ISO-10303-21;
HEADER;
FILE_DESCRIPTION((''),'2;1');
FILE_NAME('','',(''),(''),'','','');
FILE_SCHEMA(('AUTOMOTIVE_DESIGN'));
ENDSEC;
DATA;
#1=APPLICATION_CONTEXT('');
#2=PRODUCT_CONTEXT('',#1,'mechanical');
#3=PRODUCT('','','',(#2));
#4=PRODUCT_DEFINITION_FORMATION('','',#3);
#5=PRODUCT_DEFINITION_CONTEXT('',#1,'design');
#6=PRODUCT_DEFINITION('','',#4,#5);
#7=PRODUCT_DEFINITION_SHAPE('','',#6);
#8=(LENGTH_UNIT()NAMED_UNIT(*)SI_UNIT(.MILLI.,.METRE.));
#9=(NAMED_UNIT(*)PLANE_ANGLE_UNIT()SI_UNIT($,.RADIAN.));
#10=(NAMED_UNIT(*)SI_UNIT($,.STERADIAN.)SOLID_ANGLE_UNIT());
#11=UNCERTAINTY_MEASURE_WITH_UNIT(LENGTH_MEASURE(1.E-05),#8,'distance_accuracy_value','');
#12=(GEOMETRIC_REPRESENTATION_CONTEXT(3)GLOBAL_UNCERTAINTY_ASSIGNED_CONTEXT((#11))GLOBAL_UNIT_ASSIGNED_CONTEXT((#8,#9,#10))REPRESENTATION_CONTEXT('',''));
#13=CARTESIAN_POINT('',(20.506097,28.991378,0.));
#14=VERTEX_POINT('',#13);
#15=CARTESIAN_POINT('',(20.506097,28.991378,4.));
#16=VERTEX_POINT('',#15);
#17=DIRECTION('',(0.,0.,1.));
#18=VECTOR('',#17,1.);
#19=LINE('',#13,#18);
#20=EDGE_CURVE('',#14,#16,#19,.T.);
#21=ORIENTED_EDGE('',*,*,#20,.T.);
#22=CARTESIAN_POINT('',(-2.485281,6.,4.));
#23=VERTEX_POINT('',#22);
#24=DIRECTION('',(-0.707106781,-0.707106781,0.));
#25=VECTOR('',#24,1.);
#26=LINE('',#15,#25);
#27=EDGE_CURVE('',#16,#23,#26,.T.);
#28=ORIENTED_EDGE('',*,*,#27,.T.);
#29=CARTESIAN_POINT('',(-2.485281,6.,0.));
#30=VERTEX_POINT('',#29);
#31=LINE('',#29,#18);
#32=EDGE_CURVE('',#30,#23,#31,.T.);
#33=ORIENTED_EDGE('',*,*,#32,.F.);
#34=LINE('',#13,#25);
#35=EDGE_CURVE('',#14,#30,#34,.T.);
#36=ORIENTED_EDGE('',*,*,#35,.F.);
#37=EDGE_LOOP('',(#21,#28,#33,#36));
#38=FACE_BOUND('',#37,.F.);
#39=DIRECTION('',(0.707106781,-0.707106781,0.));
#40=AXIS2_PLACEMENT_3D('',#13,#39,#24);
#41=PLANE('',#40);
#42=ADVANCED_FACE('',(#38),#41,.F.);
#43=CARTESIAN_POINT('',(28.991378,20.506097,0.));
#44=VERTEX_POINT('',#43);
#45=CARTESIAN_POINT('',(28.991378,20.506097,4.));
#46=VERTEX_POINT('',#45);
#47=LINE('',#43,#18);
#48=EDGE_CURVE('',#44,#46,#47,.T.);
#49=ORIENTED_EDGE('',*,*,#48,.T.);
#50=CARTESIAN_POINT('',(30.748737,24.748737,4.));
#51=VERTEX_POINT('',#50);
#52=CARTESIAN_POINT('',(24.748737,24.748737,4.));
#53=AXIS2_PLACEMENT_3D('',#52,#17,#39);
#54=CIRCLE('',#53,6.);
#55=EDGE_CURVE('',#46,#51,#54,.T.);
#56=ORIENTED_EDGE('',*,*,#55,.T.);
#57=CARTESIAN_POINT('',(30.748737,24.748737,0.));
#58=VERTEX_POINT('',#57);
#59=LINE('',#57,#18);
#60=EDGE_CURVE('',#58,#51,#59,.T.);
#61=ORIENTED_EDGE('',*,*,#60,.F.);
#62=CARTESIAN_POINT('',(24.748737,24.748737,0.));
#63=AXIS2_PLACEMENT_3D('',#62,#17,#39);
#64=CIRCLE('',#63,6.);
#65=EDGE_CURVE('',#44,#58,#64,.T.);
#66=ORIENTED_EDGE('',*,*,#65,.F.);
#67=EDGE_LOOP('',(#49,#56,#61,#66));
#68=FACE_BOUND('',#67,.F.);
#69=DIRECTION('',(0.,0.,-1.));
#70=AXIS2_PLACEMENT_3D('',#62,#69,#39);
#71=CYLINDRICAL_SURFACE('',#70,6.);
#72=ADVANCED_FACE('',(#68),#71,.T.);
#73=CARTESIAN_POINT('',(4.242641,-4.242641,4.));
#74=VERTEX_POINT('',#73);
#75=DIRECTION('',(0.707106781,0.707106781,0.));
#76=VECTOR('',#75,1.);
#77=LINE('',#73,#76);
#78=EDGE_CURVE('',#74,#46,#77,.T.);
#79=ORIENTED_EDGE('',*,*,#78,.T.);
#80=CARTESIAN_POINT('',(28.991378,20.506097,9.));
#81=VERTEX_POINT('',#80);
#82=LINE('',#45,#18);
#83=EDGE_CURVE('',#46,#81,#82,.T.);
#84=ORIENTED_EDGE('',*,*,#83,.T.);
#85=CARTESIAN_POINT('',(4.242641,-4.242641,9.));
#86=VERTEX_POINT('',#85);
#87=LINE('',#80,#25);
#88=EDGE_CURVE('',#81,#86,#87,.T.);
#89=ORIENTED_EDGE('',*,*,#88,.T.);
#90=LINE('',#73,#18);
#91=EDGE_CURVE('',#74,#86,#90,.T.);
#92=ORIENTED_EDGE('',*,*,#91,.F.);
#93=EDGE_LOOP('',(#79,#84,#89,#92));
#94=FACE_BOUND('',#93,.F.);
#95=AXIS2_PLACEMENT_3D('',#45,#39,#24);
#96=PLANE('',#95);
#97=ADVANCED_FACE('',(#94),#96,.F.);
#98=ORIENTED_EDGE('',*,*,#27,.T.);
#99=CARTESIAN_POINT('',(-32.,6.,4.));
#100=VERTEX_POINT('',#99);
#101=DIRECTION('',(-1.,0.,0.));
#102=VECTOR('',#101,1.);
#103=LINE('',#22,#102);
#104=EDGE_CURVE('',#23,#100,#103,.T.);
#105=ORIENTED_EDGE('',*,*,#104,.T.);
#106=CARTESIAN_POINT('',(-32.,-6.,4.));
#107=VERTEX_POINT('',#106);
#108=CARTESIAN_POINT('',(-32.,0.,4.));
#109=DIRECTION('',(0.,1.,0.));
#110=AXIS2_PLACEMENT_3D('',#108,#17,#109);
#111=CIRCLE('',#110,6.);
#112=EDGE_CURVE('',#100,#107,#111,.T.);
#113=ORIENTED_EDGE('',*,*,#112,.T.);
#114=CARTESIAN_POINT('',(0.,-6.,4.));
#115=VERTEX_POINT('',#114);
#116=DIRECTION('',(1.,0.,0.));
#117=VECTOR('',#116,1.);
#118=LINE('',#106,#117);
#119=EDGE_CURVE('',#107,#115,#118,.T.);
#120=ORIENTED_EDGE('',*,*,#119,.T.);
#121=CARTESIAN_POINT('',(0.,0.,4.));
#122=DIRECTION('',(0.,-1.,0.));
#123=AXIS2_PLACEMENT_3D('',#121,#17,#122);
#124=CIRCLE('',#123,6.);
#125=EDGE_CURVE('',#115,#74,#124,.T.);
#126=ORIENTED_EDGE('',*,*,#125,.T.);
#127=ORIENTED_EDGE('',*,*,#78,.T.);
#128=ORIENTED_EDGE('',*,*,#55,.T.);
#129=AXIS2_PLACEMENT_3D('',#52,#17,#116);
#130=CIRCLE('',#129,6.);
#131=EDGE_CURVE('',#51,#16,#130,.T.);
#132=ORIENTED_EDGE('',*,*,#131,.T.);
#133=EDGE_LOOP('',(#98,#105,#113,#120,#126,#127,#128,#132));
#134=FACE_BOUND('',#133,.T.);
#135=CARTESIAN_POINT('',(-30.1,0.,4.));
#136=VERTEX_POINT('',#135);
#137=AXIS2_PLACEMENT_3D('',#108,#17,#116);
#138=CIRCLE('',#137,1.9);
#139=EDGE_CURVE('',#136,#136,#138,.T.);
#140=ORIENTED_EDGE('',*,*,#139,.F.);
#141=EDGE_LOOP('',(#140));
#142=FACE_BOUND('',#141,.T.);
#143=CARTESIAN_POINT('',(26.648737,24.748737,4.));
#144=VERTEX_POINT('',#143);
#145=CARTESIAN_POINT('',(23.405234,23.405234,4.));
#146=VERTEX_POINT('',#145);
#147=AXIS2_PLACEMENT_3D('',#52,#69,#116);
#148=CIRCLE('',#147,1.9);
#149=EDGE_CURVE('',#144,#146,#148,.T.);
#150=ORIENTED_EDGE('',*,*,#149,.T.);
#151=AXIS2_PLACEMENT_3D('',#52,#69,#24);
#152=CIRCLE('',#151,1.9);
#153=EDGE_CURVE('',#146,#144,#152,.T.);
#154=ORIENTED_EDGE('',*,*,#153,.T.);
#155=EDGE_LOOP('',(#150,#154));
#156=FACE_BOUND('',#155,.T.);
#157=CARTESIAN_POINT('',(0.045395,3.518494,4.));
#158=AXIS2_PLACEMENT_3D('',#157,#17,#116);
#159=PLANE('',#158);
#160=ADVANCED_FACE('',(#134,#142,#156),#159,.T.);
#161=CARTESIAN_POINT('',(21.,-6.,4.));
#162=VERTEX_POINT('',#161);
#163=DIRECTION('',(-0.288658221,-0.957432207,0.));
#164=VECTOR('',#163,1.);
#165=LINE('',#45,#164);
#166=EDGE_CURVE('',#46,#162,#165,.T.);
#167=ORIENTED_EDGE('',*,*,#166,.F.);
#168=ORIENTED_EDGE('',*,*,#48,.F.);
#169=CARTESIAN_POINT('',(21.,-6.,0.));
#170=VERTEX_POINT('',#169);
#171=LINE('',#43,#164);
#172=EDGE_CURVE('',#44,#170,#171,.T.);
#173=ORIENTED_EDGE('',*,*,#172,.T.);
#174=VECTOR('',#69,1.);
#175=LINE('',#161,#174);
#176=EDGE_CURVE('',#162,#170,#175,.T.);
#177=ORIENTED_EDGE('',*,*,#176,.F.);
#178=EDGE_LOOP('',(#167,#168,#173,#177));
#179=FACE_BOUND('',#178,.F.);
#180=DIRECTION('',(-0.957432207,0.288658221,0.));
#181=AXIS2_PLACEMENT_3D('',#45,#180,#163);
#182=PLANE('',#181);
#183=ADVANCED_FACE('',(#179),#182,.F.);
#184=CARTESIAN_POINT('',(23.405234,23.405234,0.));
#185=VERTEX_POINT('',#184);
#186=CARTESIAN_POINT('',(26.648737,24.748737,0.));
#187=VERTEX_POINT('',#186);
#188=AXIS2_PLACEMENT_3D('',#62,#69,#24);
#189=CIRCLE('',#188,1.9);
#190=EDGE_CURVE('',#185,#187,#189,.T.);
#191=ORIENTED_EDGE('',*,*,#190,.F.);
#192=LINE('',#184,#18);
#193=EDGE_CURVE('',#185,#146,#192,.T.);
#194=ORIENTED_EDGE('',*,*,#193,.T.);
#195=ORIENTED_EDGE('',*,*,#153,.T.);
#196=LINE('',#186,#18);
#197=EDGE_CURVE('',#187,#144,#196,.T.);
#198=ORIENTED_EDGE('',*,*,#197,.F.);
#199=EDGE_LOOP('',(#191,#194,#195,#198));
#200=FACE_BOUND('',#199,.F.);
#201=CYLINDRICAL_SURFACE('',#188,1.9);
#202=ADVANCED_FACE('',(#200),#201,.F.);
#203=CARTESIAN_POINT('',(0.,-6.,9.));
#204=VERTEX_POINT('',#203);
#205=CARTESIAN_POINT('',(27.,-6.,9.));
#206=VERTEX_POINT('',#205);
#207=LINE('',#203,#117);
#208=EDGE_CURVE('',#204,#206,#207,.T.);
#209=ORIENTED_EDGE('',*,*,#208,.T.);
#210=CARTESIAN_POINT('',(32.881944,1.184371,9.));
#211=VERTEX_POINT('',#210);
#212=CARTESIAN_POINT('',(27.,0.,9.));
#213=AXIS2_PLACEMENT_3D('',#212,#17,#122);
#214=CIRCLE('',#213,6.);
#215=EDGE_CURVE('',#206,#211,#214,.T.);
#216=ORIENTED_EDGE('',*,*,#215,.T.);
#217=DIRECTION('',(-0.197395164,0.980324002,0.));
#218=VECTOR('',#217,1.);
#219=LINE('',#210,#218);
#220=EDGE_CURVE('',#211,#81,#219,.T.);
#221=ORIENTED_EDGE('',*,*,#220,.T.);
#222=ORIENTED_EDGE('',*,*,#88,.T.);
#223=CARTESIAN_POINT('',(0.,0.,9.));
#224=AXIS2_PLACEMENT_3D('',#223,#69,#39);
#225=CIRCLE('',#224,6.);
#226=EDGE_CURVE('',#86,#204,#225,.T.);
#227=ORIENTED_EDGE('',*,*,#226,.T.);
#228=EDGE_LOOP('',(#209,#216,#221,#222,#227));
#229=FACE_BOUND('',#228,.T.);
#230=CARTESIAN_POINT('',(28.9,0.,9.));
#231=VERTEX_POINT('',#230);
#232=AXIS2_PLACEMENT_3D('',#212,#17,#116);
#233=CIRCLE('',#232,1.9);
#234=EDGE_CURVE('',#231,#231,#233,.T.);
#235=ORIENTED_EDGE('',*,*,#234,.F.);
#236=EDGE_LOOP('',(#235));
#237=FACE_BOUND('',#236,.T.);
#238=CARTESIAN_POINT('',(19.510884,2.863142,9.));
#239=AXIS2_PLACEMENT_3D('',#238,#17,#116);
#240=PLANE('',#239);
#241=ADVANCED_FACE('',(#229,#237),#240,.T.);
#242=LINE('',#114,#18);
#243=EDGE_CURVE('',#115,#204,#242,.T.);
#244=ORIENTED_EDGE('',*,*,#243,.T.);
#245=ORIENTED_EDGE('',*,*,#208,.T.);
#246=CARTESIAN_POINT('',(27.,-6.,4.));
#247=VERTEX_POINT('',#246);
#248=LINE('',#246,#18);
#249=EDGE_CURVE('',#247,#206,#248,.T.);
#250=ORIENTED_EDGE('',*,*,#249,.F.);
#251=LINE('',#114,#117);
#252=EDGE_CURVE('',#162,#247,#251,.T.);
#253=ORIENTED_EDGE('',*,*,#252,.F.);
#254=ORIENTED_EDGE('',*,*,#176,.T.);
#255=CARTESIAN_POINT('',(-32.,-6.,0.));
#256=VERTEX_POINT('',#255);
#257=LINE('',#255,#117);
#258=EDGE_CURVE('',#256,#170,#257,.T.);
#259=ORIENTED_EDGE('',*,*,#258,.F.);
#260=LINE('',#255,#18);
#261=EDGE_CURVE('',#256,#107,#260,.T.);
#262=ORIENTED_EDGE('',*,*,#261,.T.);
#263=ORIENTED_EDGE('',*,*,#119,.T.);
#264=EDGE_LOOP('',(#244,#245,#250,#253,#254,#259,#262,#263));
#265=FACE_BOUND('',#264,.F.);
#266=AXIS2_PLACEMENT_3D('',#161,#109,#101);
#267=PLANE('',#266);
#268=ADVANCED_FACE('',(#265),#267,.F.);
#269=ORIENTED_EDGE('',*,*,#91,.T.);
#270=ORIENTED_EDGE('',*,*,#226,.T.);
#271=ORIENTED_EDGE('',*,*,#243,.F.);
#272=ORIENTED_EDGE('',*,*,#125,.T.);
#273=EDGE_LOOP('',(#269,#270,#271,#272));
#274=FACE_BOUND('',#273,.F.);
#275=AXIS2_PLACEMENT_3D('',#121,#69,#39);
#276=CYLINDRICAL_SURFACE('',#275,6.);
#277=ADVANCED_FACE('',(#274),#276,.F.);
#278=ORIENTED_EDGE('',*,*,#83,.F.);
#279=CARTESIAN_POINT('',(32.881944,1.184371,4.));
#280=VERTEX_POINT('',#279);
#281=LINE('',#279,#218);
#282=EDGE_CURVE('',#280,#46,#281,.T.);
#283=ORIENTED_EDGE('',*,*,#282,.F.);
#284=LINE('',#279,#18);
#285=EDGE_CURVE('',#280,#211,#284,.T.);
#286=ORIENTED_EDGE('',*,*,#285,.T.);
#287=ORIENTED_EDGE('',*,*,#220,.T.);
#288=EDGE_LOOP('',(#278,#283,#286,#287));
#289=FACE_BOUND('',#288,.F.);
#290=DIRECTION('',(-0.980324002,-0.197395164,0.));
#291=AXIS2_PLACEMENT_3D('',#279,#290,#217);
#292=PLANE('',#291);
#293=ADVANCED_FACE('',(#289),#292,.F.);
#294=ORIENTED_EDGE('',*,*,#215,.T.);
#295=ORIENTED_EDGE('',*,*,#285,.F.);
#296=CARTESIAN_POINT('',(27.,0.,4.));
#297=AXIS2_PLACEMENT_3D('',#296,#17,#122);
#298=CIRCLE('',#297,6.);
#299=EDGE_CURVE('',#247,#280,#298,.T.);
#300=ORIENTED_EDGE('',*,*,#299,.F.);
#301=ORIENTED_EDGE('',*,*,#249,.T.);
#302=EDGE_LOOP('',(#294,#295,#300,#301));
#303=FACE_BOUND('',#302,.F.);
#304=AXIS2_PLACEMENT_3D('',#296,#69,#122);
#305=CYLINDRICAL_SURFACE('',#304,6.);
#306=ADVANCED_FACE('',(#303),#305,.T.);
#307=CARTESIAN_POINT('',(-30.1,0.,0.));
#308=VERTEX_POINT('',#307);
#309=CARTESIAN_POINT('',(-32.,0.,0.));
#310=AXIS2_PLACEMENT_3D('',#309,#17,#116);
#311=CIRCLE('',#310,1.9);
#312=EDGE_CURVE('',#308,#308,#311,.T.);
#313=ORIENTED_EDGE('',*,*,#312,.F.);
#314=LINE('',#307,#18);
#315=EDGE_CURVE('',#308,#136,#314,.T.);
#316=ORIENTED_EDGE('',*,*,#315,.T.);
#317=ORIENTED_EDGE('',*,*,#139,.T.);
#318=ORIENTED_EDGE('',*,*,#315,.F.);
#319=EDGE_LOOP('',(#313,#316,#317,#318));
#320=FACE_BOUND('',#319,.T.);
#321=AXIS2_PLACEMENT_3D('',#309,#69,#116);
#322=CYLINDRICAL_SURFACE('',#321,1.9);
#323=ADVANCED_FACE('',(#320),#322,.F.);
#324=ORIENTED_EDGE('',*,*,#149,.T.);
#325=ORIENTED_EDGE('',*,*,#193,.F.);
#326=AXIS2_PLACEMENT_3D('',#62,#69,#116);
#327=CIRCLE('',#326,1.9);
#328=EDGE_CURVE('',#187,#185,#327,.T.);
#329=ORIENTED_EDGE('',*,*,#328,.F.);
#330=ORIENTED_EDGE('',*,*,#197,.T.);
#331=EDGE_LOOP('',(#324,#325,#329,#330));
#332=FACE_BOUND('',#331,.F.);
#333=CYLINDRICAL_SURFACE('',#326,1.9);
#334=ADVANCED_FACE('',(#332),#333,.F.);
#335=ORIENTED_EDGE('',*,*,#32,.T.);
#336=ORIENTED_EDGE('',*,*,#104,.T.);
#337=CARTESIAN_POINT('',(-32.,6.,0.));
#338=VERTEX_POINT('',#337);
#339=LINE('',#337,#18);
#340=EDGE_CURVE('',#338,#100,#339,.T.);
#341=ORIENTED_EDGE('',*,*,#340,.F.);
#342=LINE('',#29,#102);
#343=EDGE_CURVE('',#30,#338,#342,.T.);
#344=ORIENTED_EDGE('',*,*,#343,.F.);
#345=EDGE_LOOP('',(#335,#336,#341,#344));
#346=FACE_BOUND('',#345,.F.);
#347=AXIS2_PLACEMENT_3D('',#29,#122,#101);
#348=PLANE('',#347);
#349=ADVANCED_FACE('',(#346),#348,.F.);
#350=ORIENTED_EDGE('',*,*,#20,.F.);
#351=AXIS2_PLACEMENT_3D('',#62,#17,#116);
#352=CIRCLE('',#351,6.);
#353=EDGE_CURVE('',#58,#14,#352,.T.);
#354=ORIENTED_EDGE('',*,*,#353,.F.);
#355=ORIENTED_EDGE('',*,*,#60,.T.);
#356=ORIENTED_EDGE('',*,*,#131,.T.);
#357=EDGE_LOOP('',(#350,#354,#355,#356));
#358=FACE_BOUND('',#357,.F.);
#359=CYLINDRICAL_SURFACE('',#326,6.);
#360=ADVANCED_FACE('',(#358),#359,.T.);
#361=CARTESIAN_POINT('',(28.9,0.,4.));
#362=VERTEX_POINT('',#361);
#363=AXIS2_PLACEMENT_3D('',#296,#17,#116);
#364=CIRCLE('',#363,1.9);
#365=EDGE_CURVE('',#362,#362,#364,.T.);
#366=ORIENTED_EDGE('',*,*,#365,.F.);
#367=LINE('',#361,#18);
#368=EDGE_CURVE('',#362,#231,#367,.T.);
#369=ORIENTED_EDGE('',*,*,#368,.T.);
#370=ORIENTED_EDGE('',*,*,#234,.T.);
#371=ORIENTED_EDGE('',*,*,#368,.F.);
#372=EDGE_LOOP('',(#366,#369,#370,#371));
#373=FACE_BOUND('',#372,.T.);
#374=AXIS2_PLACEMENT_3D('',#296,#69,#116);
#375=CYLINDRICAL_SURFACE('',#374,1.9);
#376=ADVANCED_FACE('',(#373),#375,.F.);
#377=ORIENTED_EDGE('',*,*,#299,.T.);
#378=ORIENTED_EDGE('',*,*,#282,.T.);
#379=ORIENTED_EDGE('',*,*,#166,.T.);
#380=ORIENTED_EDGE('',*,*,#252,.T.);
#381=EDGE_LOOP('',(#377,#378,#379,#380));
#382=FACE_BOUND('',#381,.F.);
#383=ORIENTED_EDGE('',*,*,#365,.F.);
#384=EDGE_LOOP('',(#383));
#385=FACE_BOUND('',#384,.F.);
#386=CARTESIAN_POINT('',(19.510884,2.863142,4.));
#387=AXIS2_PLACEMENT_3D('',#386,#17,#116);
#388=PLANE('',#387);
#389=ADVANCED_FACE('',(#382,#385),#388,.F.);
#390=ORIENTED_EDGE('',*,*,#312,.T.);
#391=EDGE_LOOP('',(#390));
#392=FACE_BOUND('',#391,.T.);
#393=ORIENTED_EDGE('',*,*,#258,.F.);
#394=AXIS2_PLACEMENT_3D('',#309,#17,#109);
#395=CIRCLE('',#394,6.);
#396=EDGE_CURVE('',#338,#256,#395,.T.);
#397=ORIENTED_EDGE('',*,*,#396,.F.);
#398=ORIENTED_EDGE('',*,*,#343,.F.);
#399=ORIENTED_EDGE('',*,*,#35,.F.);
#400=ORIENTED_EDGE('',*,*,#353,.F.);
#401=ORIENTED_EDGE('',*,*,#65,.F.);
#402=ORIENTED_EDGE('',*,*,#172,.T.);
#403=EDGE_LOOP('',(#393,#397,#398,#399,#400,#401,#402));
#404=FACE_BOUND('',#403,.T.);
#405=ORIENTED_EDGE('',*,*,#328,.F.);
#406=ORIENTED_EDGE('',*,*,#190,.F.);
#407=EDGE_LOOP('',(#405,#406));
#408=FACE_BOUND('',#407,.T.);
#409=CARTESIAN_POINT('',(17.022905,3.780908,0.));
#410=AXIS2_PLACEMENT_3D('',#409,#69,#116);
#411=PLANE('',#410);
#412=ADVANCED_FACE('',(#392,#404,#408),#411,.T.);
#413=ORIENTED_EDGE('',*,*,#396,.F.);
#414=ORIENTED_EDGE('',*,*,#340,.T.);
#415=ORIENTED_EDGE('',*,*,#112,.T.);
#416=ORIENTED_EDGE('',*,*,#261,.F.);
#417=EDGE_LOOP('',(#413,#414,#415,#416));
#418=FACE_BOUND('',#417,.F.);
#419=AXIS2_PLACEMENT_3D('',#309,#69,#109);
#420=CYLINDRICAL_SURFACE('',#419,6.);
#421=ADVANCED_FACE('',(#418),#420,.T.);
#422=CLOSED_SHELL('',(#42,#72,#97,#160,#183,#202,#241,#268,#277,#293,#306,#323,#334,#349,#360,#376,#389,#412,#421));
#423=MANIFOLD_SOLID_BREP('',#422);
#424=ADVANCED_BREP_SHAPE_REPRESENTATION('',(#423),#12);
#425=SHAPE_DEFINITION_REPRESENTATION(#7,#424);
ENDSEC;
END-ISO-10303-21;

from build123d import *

# Parameters (mm, degrees)
F0_R     = 1.9
F1_DEPTH = 4
F2_R     = 1.9
F3_DEPTH = 5
F5_DEPTH = 4


with BuildPart() as f1:
    # F0 (on Top) → F1 (new body)
    with BuildSketch(Plane.XY):
        with BuildLine():
            Line((20.5060966544, 20.5060966544), (0, 0))
            Line((0, 0), (-26, 0))
            ThreePointArc((-26, 0), (-27.7573593129, -4.2426406871), (-32, -6))
            Line((-32, -6), (0, -6))
            ThreePointArc((0, -6), (2.2961005942, -5.5432771951), (4.2426406871, -4.2426406871))
            Line((4.2426406871, -4.2426406871), (28.9913780286, 20.5060966544))
            ThreePointArc((28.9913780286, 20.5060966544), (24.7487373415, 18.7487373415), (20.5060966544, 20.5060966544))
        make_face()
        with BuildLine():
            Line((-26, 0), (0, 0))
            Line((0, 0), (20.5060966544, 20.5060966544))
            ThreePointArc((20.5060966544, 20.5060966544), (18.7487373415, 24.7487373415), (20.5060966544, 28.9913780286))
            Line((20.5060966544, 28.9913780286), (-2.4852813742, 6))
            Line((-2.4852813742, 6), (-32, 6))
            ThreePointArc((-32, 6), (-27.7573593129, 4.2426406871), (-26, 0))
        make_face()
        with BuildLine():
            ThreePointArc((-32, -6), (-27.7573593129, -4.2426406871), (-26, 0))
            ThreePointArc((-26, 0), (-27.7573593129, 4.2426406871), (-32, 6))
            ThreePointArc((-32, 6), (-38, 0), (-32, -6))
        make_face()
        with Locations((-32, 0)):
            Circle(F0_R, mode=Mode.SUBTRACT)
        with BuildLine():
            ThreePointArc((20.5060966544, 28.9913780286), (18.7487373415, 24.7487373415), (20.5060966544, 20.5060966544))
            ThreePointArc((20.5060966544, 20.5060966544), (24.7487373415, 18.7487373415), (28.9913780286, 20.5060966544))
            ThreePointArc((28.9913780286, 20.5060966544), (30.2920145366, 22.4526367473), (30.7487373415, 24.7487373415))
            ThreePointArc((30.7487373415, 24.7487373415), (27.0448379357, 30.2920145366), (20.5060966544, 28.9913780286))
        make_face()
        with BuildLine():
            ThreePointArc((26.6487373415, 24.7487373415), (25.475835863, 22.9933662298), (23.4052344573, 23.4052344573))
            ThreePointArc((23.4052344573, 23.4052344573), (24.02163882, 26.5041084533), (26.6487373415, 24.7487373415))
        make_face(mode=Mode.SUBTRACT)
    extrude(amount=F1_DEPTH)

    # F2 (on face) → F3 (join)
    with BuildSketch(Plane.XY.offset(4)):
        with BuildLine():
            Line((28.9913780286, 20.5060966544), (4.2426406871, -4.2426406871))
            ThreePointArc((4.2426406871, -4.2426406871), (2.2961005942, -5.5432771951), (0, -6))
            Line((0, -6), (27, -6))
            ThreePointArc((27, -6), (31.6425330327, -3.8009060814), (32.8819440125, 1.1843709867))
            Line((32.8819440125, 1.1843709867), (28.9913780286, 20.5060966544))
        make_face()
        with Locations((27, 0)):
            Circle(F2_R, mode=Mode.SUBTRACT)
    extrude(amount=F3_DEPTH)

    # F4 (on face) → F5 (join)
    with BuildSketch(Plane(origin=(0, 0, 4), x_dir=(1, 0, 0), z_dir=(0, 0, -1))):
        with BuildLine():
            ThreePointArc((0, 6), (2.2961005942, 5.5432771951), (4.2426406871, 4.2426406871))
            Line((4.2426406871, 4.2426406871), (28.9913780286, -20.5060966544))
            Line((28.9913780286, -20.5060966544), (21, 6))
            Line((21, 6), (0, 6))
        make_face()
    extrude(amount=F5_DEPTH)


solid = f1.part
